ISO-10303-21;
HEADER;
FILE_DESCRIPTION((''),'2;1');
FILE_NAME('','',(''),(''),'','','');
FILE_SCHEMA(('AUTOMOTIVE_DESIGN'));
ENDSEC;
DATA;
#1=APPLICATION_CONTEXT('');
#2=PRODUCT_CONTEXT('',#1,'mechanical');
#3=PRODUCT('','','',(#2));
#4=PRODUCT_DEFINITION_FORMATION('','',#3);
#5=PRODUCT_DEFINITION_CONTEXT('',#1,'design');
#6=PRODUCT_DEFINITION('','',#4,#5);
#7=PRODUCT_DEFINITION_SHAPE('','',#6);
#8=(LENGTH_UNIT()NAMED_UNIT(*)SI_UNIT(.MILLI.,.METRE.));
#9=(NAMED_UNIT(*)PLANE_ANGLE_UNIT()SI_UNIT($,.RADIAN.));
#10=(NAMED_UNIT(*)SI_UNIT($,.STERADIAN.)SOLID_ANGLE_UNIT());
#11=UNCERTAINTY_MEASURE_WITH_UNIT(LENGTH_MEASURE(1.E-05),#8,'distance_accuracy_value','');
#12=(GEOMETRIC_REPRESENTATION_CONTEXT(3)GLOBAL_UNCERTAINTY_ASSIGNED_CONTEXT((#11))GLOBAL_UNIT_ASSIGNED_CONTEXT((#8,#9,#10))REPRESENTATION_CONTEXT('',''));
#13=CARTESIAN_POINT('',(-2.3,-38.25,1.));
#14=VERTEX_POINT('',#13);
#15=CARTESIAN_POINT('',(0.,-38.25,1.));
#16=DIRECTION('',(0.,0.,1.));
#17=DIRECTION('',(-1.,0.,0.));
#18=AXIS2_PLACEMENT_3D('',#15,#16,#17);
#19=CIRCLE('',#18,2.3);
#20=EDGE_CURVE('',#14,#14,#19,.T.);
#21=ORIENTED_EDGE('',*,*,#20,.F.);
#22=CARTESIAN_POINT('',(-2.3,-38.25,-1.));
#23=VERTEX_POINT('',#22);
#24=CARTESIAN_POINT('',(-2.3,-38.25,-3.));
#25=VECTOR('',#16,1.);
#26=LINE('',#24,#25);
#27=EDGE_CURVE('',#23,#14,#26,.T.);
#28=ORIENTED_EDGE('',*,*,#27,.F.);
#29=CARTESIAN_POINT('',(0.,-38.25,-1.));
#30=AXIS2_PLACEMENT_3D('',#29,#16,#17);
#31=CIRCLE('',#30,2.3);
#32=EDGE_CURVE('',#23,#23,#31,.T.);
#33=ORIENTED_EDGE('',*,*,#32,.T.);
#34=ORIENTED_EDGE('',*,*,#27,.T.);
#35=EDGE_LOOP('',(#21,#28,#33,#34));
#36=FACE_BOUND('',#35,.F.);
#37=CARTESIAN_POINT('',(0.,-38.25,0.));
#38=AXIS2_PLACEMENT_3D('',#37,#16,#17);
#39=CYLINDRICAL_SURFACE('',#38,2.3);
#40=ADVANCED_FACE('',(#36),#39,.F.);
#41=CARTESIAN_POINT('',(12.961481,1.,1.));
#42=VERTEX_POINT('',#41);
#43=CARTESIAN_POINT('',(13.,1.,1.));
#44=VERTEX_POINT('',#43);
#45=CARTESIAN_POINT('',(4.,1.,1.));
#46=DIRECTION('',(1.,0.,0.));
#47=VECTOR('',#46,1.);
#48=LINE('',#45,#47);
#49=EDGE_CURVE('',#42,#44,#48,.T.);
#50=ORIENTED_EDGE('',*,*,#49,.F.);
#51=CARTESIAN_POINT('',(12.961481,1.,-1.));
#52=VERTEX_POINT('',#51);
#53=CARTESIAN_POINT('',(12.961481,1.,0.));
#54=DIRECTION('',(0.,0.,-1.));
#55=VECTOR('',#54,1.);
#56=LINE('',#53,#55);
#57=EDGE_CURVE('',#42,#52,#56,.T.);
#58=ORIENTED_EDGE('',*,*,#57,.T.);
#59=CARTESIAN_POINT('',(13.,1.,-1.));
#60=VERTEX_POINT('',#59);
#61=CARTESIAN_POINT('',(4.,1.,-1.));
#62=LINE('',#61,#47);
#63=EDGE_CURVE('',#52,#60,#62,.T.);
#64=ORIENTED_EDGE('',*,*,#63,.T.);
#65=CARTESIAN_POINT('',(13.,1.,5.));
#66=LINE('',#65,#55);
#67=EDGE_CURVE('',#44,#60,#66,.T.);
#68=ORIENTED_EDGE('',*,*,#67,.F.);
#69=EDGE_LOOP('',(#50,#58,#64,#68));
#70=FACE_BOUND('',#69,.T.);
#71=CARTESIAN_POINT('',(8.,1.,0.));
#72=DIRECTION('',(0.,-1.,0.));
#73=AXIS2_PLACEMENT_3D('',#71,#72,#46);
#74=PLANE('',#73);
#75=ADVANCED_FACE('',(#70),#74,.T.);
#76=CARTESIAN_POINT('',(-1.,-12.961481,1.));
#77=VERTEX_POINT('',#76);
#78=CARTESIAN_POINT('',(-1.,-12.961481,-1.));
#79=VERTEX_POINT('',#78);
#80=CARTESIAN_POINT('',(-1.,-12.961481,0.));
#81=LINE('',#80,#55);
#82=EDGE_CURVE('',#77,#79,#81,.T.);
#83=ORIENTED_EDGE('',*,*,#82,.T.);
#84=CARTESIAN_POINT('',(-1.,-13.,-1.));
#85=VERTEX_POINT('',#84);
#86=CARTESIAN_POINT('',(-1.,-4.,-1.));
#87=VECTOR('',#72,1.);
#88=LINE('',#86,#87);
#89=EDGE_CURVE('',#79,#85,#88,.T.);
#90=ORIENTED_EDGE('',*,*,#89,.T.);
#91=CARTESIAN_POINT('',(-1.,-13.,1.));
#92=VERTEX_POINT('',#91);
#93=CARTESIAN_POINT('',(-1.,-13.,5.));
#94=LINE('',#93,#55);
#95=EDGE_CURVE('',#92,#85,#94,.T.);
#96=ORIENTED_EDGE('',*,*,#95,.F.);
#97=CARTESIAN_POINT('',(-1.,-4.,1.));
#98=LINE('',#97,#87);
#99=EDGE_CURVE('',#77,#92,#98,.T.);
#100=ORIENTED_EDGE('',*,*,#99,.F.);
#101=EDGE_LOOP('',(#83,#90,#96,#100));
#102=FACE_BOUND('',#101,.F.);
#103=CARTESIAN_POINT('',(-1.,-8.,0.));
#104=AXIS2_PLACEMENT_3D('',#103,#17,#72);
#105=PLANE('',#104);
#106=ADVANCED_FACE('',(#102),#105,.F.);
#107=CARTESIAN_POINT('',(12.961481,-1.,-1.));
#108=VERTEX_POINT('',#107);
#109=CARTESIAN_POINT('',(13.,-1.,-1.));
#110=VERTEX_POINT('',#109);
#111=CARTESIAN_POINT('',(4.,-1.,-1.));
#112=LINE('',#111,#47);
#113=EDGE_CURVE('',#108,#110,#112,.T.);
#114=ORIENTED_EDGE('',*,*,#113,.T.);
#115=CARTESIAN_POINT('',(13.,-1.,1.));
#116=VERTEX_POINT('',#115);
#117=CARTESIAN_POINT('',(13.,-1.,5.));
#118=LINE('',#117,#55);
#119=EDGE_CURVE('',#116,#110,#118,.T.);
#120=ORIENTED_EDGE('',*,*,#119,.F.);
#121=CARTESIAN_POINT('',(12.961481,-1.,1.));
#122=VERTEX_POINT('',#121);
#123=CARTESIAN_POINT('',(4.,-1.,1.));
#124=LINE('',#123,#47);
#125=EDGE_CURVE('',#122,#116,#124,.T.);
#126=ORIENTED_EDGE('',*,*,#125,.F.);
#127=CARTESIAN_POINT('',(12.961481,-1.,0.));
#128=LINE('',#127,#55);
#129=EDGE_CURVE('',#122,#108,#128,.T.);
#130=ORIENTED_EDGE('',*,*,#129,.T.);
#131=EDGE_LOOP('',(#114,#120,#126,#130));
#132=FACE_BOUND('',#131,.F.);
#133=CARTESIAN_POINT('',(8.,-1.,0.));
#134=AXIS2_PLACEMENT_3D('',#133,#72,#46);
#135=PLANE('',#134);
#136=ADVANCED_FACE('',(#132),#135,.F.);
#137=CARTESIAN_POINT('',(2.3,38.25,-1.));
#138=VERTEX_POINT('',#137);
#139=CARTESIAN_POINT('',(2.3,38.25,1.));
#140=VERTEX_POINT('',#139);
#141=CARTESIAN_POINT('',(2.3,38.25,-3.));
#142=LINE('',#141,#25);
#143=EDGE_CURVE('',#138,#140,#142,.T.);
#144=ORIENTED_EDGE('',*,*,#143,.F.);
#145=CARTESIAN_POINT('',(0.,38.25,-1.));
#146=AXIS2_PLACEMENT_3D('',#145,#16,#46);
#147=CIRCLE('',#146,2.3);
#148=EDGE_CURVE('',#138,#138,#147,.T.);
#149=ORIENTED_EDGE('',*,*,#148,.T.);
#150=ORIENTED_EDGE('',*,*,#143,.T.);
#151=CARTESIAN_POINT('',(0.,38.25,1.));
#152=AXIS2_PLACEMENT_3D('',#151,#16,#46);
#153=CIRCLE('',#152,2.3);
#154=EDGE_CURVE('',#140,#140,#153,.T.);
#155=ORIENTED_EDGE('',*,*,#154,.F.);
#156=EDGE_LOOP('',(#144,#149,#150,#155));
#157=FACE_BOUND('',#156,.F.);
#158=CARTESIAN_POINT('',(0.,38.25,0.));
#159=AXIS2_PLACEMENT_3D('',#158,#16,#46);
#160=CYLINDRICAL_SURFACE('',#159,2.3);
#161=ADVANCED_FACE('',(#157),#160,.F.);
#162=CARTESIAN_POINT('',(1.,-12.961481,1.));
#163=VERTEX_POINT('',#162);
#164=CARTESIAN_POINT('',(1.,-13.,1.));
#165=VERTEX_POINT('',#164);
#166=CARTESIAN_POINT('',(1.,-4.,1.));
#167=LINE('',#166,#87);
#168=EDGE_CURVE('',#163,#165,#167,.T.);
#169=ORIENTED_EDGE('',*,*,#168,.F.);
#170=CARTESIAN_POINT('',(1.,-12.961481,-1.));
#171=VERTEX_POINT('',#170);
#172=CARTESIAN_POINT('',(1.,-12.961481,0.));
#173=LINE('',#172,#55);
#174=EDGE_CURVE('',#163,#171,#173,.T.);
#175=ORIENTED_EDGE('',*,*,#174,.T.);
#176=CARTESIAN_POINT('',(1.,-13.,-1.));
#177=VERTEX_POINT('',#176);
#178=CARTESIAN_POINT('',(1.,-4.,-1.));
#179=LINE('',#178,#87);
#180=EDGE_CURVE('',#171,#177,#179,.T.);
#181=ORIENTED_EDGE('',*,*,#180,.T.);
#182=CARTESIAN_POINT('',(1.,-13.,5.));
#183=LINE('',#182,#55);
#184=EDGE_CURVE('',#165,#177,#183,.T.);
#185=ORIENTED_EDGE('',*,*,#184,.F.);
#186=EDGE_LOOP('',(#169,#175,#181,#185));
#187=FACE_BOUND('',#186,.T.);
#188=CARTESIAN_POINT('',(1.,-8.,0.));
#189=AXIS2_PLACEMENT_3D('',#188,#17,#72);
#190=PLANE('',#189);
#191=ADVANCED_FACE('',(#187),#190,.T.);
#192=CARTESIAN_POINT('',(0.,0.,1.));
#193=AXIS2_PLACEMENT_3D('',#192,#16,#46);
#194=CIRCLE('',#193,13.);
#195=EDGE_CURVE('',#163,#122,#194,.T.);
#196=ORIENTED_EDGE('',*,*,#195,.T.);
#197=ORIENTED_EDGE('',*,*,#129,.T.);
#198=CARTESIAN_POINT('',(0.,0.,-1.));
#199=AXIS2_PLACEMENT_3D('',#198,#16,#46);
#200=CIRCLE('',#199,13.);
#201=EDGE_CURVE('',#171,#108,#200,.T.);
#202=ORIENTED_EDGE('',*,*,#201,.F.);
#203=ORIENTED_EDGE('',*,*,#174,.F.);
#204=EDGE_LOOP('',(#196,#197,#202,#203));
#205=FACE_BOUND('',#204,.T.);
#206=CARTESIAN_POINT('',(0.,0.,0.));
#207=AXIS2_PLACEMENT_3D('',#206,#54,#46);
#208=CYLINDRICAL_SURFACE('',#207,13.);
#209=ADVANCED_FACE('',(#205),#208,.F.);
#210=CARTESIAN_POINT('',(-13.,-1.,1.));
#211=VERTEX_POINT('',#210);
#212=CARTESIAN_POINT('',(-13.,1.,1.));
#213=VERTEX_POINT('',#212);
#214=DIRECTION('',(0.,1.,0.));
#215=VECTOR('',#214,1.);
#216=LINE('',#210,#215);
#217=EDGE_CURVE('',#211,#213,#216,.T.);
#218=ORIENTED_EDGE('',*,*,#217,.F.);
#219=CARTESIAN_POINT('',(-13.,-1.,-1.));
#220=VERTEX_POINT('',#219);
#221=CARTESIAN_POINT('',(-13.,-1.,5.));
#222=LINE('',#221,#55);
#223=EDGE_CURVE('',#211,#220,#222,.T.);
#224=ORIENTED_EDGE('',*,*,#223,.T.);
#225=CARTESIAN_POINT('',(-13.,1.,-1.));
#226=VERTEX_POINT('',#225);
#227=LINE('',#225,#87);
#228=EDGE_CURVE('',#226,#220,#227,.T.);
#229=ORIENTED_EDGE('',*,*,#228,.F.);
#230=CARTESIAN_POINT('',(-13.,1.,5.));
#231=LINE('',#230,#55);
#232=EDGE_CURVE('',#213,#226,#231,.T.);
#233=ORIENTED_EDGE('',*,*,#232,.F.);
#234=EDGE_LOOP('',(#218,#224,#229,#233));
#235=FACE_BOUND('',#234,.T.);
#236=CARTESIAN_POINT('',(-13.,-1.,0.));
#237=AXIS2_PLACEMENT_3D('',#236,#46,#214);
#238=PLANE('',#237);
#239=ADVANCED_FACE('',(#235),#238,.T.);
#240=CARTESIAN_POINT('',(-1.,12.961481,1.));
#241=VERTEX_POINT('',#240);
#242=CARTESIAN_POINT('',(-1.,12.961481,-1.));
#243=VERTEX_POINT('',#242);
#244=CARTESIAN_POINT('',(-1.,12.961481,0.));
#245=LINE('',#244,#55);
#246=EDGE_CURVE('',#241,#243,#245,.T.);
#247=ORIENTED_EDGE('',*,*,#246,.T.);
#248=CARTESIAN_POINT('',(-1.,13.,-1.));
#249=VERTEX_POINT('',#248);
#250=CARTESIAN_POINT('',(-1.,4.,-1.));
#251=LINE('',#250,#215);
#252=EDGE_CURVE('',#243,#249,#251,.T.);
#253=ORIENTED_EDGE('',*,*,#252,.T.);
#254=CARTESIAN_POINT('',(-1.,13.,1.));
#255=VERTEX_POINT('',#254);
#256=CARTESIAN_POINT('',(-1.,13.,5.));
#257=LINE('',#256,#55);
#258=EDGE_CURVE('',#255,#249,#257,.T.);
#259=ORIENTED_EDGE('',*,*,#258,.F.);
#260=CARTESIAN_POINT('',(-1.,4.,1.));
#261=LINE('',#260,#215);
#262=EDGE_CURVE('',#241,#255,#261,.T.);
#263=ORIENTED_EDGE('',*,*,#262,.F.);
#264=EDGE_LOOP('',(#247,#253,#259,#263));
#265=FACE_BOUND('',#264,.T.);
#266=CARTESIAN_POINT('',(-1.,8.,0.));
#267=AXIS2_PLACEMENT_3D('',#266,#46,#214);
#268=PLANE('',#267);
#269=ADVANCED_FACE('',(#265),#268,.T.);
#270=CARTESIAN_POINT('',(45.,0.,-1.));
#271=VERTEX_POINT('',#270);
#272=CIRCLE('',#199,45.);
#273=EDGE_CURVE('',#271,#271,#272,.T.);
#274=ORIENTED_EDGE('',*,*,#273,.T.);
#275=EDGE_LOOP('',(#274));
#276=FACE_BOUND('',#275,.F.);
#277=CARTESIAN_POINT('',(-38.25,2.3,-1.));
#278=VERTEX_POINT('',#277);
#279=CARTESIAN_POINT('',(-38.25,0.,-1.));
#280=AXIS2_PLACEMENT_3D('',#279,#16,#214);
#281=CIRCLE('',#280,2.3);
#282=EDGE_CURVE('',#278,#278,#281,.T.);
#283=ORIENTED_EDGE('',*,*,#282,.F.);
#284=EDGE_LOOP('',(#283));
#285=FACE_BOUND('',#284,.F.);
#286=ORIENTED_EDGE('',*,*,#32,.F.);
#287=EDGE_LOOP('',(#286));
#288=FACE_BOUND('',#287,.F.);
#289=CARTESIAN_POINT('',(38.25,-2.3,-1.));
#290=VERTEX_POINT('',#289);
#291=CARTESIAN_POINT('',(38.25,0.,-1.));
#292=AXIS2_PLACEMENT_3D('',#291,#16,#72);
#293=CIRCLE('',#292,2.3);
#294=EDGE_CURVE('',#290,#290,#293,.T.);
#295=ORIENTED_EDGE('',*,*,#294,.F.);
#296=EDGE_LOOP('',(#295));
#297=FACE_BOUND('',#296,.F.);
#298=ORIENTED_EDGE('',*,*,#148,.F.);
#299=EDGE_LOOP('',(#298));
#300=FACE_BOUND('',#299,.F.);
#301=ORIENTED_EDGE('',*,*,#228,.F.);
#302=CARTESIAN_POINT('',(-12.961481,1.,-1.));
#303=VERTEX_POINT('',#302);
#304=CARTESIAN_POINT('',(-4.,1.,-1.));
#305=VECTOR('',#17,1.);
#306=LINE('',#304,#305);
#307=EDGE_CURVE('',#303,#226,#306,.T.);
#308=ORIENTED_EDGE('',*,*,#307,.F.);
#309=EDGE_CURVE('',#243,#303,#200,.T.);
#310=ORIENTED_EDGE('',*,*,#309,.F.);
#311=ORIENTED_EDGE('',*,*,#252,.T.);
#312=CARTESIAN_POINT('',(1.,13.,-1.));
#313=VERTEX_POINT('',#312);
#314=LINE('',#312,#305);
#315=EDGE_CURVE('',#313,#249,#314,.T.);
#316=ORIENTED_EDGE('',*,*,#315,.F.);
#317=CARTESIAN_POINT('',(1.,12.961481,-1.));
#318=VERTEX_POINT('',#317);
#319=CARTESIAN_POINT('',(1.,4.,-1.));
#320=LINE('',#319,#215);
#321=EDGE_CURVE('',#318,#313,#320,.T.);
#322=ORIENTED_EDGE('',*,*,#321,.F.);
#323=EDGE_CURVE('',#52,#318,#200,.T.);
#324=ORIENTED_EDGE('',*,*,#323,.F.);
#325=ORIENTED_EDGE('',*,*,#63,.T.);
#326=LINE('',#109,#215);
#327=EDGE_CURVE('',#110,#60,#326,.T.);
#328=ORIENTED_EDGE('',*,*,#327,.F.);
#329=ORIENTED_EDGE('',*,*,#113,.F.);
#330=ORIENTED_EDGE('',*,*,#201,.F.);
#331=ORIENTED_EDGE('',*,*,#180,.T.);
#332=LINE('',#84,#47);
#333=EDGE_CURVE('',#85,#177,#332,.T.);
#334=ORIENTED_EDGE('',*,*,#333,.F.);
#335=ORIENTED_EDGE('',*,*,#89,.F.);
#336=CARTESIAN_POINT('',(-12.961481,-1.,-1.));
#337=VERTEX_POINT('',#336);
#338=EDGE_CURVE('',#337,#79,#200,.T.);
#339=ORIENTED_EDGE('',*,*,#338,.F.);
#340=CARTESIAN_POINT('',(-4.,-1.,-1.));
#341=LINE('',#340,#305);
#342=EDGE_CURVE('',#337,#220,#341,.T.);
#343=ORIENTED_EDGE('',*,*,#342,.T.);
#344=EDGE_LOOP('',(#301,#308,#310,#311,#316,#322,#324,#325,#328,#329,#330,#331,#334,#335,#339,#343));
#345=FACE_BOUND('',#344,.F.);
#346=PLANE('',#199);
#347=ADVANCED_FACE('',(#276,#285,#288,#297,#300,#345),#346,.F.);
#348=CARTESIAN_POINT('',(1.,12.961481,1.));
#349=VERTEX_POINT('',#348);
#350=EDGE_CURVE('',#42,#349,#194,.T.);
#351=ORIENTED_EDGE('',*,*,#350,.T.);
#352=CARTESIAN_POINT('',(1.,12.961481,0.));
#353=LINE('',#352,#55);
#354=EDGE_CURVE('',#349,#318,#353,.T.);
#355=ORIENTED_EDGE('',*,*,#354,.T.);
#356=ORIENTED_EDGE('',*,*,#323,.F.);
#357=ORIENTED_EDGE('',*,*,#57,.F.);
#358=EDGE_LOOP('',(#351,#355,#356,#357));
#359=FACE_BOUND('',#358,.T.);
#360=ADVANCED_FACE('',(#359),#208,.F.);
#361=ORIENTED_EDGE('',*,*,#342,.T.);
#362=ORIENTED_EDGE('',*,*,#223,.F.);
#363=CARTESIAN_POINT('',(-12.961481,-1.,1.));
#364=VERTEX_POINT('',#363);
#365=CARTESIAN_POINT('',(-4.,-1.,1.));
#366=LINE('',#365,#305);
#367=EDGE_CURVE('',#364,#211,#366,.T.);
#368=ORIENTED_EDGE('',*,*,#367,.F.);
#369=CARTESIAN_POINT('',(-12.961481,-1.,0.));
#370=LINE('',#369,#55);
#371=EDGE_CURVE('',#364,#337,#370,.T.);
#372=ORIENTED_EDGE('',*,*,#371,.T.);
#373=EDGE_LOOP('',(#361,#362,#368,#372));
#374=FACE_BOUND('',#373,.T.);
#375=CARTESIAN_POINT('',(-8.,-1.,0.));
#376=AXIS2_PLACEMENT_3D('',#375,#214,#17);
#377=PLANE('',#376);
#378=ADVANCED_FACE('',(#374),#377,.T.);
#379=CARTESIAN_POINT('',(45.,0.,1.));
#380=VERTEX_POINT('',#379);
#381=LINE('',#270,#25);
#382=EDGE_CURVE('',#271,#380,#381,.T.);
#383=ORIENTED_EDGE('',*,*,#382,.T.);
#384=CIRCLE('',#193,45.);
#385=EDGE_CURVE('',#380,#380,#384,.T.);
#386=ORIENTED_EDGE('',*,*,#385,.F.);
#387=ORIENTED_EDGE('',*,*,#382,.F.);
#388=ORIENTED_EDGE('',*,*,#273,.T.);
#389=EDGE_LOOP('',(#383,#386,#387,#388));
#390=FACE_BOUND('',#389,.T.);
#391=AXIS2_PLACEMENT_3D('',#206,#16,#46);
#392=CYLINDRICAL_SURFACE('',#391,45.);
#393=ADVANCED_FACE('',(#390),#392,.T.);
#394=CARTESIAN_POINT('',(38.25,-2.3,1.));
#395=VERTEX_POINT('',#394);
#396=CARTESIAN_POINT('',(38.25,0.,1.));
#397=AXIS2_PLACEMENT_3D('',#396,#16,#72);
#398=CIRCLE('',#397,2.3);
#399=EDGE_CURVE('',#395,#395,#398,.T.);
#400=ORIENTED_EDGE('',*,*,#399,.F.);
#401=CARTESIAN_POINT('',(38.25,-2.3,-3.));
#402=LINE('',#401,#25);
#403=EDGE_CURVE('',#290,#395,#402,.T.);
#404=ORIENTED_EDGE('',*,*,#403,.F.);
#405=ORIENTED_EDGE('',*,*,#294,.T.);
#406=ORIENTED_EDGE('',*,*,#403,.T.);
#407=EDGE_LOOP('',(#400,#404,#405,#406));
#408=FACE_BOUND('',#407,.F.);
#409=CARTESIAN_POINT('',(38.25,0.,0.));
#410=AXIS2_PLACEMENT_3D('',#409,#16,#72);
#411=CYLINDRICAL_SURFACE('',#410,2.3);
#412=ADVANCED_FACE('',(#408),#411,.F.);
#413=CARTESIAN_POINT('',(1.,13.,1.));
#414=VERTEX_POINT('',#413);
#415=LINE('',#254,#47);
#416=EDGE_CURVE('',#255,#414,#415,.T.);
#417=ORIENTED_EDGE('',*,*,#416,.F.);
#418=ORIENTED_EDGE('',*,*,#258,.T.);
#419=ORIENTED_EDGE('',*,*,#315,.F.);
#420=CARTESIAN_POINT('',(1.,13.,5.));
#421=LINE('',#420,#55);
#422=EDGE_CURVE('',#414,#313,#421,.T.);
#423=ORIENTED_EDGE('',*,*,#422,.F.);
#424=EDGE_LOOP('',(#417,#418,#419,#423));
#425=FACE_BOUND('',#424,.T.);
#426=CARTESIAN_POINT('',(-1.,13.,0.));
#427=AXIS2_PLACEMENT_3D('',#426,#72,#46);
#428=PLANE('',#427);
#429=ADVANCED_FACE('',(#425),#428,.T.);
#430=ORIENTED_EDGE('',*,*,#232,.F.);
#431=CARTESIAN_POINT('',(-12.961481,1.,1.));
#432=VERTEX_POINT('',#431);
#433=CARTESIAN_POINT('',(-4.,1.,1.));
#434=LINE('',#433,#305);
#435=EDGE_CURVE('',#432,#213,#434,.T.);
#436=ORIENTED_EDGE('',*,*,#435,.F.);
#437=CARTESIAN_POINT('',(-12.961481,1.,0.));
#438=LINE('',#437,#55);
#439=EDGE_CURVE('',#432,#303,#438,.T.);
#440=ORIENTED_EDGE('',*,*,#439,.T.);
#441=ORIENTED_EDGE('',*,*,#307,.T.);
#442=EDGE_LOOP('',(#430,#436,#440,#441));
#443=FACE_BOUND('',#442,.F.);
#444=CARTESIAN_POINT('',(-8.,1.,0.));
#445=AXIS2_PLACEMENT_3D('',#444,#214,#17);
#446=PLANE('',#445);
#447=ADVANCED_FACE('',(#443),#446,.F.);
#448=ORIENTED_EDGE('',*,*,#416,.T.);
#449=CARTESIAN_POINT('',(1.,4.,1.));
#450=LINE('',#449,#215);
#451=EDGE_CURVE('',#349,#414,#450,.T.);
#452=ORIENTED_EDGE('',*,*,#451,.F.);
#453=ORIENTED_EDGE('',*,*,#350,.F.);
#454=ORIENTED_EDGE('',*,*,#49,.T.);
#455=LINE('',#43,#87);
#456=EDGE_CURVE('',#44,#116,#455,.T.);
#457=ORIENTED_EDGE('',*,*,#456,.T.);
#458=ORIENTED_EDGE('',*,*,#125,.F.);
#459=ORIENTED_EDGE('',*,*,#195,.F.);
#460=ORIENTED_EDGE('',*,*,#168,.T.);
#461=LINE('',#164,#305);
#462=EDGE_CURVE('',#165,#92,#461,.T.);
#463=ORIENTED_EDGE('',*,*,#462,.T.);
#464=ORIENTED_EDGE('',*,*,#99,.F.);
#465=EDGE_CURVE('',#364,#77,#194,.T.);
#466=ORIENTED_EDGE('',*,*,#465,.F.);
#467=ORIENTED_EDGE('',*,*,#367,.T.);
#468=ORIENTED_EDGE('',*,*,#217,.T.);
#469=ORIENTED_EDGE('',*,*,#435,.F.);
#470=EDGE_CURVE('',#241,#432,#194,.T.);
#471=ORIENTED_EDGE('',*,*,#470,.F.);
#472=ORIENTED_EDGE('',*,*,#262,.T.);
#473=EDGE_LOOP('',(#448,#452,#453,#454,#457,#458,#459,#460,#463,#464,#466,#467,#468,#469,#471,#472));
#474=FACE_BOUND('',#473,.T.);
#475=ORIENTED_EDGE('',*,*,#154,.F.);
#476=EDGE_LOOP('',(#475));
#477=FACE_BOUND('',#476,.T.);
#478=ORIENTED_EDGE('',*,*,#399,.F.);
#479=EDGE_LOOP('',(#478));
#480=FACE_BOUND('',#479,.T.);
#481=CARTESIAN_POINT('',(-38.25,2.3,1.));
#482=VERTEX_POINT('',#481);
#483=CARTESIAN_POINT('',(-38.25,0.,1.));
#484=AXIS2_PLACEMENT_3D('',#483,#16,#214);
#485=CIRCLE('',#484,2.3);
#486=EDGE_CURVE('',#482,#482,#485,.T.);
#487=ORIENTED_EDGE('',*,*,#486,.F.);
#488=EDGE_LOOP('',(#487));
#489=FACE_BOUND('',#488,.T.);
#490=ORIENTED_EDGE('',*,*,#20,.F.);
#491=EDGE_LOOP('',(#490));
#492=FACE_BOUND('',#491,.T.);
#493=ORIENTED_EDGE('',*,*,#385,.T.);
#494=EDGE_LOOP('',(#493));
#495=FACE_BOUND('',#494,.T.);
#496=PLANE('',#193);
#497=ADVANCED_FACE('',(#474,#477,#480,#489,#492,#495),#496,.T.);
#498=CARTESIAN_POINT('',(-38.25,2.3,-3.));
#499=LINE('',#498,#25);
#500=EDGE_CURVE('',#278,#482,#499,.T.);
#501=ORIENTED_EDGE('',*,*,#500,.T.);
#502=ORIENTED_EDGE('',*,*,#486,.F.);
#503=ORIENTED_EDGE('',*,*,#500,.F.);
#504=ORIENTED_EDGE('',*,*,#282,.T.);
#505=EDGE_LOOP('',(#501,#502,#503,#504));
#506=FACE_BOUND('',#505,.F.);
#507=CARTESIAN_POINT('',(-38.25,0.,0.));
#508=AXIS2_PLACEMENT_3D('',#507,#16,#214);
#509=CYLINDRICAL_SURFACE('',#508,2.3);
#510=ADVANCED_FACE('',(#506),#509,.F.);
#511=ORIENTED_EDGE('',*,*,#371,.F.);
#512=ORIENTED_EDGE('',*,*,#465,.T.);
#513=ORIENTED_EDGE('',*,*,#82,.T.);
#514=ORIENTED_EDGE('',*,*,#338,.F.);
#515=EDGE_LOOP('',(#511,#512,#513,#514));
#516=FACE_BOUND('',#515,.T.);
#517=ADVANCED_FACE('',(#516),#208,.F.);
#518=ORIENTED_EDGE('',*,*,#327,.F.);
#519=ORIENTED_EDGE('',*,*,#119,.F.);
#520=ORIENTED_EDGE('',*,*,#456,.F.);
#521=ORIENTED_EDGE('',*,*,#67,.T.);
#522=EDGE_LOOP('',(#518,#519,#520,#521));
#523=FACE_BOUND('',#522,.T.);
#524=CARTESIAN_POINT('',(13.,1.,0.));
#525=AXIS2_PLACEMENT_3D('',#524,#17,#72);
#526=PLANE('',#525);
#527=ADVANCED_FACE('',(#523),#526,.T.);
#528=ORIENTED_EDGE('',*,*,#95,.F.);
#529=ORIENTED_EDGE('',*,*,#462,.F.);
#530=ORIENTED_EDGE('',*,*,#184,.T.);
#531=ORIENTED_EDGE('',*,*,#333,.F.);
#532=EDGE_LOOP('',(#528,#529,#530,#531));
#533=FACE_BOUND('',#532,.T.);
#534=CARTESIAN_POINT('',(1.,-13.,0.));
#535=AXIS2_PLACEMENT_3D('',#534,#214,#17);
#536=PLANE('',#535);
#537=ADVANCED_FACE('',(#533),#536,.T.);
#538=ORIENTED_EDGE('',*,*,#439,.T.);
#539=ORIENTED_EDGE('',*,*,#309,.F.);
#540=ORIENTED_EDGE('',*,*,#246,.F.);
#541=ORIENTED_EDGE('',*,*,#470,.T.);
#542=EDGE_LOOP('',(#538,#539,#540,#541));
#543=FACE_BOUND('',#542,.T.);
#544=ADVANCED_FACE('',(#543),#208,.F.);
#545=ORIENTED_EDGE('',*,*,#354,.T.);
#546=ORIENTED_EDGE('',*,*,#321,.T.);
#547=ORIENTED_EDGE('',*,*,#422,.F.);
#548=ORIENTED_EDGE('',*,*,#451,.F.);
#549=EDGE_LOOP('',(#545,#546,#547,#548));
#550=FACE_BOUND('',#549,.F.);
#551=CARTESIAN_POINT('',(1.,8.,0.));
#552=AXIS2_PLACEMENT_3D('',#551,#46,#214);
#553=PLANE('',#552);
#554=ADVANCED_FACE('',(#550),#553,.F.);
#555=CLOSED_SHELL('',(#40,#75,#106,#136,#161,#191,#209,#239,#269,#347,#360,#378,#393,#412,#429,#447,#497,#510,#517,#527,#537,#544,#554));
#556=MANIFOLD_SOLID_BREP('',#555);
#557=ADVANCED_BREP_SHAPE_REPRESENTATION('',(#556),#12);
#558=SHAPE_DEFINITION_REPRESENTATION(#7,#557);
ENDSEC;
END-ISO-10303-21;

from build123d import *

# Parameters (mm, degrees)
SKETCH003_R           = 2.3
SKETCH003_W           = 2
SKETCH003_H           = 5
EXTRUDE003_DEPTH      = 5
EXTRUDE003_DEPTH_BACK = 3
ARRAY001_COUNT        = 4
SKETCH002_R           = 45
SKETCH002_R_2         = 13
EXTRUDE002_DEPTH      = 1


with BuildPart() as array001:
    # Sketch003 → Extrude003 (new body, two sides)
    with BuildSketch(Plane.XY) as extrude003_sk:
        with Locations((0, 38.25)):
            Circle(SKETCH003_R)
        with Locations((0, 10.5)):
            Rectangle(SKETCH003_W, SKETCH003_H)
    extrude(amount=EXTRUDE003_DEPTH)
    extrude(extrude003_sk.sketch, amount=-EXTRUDE003_DEPTH_BACK)

    # Array001: Array001 ×4 about axis
    array001_axis = Axis((0, 0, 0), (0, 0, 1))


with BuildPart() as array001_1:
    add(array001.part)
    for i in range(1, ARRAY001_COUNT):
        add(array001.part.rotate(array001_axis, i * 360 / ARRAY001_COUNT))


with BuildPart() as cut:
    # Sketch002 → Extrude002 (new body, symmetric)
    with BuildSketch(Plane.XY):
        Circle(SKETCH002_R)
        Circle(SKETCH002_R_2, mode=Mode.SUBTRACT)
    extrude(amount=EXTRUDE002_DEPTH, both=True)

    # Cut: cut Array001
    add(array001_1.part, mode=Mode.SUBTRACT)


solid = cut.part
